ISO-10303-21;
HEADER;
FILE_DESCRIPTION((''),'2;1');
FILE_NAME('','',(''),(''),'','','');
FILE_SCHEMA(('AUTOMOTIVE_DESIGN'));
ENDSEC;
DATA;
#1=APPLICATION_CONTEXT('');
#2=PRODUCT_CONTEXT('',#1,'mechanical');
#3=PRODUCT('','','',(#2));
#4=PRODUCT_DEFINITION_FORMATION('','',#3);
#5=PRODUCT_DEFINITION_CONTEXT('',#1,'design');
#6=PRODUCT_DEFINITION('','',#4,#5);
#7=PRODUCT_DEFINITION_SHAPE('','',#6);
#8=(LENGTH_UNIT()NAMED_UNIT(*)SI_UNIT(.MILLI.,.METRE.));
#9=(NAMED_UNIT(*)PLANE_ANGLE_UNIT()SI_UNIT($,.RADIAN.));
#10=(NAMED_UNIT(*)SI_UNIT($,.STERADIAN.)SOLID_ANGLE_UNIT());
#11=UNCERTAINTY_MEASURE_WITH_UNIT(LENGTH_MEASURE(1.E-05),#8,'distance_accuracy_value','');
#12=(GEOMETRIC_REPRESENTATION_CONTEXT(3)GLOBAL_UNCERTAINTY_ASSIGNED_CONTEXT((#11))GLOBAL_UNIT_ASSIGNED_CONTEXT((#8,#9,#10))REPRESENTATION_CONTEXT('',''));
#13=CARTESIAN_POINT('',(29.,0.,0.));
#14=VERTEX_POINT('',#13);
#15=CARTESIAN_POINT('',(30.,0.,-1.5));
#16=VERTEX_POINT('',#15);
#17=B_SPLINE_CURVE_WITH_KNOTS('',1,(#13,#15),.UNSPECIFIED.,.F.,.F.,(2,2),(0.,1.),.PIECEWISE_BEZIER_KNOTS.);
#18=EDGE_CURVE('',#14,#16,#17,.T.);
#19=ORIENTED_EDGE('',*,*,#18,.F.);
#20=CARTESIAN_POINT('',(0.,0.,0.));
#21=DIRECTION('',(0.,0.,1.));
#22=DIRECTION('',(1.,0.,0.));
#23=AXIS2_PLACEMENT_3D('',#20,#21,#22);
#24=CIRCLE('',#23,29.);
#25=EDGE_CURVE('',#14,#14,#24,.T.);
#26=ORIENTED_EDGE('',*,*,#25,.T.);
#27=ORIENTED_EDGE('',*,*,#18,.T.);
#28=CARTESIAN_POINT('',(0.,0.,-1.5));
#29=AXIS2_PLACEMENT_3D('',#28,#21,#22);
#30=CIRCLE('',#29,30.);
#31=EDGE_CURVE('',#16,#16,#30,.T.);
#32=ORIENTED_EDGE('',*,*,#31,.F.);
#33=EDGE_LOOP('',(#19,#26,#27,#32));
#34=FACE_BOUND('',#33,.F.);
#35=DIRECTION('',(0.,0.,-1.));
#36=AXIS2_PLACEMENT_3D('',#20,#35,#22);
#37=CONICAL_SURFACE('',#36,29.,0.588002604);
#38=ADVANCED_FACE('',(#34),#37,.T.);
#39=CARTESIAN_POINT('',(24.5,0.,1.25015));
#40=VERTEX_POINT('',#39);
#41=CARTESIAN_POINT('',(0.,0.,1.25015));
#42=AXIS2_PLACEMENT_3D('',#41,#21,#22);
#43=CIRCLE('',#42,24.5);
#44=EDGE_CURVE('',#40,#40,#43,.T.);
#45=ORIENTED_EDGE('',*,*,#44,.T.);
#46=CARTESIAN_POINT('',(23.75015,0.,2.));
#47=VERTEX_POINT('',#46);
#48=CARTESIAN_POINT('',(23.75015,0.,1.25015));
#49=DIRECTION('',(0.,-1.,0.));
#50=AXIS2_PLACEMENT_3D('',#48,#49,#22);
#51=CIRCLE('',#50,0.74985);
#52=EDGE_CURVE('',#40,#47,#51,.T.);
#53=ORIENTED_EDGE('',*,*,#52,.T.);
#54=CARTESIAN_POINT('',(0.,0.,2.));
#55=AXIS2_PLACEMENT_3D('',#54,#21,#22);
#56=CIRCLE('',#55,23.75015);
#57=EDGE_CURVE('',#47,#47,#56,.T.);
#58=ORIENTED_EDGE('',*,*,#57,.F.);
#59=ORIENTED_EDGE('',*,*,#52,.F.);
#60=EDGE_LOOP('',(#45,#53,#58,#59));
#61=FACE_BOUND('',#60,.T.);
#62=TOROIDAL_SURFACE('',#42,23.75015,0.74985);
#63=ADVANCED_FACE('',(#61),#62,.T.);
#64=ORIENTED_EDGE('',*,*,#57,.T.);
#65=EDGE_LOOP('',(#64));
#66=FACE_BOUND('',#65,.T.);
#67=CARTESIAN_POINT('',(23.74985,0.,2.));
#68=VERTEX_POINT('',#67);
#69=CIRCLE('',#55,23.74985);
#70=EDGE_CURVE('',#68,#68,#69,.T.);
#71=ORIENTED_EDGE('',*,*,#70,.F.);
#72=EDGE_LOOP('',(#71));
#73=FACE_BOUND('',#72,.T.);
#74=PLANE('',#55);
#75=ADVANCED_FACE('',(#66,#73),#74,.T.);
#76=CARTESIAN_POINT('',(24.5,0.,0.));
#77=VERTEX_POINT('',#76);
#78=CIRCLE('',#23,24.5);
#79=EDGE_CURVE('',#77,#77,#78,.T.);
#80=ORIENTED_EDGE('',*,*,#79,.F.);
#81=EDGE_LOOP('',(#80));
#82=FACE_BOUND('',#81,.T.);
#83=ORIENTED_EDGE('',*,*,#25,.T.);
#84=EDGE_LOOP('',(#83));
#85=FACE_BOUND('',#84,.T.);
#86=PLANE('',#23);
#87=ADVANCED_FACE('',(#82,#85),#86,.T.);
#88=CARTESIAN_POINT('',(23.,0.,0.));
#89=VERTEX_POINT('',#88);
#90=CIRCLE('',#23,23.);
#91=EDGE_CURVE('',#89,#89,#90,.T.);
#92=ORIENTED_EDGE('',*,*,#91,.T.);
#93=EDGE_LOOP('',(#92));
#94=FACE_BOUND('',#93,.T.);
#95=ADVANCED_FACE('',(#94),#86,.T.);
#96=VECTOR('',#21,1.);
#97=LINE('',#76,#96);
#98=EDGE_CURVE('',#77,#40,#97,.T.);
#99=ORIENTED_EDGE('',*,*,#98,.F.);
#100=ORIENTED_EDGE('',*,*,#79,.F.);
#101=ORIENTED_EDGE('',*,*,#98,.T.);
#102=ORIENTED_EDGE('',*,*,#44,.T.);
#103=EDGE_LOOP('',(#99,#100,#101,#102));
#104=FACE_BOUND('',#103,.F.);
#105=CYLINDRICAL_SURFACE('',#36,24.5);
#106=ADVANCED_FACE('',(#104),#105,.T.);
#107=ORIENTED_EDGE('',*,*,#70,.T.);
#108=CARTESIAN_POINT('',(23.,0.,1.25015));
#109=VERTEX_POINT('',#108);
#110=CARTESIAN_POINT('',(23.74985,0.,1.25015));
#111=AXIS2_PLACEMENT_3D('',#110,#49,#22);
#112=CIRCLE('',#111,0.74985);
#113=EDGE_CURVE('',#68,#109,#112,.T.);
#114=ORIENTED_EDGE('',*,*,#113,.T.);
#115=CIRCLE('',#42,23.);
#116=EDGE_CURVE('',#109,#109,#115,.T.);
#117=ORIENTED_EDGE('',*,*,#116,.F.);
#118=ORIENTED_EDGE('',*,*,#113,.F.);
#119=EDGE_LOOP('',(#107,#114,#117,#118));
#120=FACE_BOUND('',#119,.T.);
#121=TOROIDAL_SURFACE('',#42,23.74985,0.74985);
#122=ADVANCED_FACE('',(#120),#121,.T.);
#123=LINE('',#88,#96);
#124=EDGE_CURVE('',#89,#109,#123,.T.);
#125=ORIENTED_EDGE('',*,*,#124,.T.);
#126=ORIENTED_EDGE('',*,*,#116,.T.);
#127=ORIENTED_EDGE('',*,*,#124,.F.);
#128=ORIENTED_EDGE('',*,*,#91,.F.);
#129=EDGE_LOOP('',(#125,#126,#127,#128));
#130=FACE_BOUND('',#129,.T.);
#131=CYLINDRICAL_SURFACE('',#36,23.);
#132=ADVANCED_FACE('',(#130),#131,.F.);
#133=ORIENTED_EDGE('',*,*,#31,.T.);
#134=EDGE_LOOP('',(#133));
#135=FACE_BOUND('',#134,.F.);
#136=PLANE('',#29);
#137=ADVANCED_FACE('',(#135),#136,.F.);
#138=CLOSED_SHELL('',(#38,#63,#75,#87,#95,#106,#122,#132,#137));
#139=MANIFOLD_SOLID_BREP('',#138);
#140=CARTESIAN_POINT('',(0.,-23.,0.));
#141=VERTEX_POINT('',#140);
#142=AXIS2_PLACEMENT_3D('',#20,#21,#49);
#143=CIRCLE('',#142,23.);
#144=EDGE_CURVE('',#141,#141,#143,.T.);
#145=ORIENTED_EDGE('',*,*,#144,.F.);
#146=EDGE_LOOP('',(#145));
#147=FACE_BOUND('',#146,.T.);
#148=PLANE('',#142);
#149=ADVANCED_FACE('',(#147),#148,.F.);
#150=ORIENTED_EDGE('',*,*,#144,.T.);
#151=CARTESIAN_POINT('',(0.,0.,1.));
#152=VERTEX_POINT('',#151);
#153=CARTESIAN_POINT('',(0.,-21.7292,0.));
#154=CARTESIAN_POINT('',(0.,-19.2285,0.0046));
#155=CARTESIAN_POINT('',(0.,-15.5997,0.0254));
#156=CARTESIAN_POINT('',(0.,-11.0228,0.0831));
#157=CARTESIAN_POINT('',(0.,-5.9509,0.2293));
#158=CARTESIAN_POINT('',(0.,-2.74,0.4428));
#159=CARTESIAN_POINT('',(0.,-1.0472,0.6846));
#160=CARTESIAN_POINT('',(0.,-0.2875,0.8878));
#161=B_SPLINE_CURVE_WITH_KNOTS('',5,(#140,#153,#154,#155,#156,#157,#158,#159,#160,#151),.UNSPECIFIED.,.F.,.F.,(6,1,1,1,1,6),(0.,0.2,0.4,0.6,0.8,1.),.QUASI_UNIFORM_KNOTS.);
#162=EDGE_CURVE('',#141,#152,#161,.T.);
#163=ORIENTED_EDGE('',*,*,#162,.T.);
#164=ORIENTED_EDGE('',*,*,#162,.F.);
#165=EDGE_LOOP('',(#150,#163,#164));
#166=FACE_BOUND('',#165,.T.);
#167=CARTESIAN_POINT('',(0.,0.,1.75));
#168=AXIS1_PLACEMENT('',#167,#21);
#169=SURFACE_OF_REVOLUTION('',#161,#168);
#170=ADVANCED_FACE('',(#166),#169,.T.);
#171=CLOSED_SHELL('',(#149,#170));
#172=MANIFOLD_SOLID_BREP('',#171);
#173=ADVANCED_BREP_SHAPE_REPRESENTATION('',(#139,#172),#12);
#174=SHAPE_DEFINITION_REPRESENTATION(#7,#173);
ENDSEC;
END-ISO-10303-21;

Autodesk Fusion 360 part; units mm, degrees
sketch "Bottom" plane through (0, 0, 0) normal (0, 0, 1) x (1, 0, 0)
  circle A0 centre (0, 0) radius 29
  circle A1 centre (0, 0) radius 24.5
  circle A2 centre (0, 0) radius 23
  dimension "d1" = 58
  dimension "d2" = 49
  dimension "d3" = 46
ref_plane "WorkPlane1" through (0, 0, -1.5) normal (0, 0, 1) x (1, 0, 0)
sketch "Top" plane through (0, 0, -1.5) normal (0, 0, 1) x (1, 0, 0)
  circle A0 centre (0, 0) radius 30
  dimension "d5" = 60
extrude "Extrude1" add sketch "Bottom" along normal blind 2 contours A1 makes body 1
loft "Loft1" add profiles "Bottom", "Top" section 1 contours A0 section 2 bodies 1
fillet "Fillet1" radius 0.75 1 faces at (23.8232, -2.3598, 2) on bodies 1
sketch "Center cone" plane through (0, 0, 0) normal (1, 0, 0) x (0, 1, 0)
  spline S0 degree 5 poles (-23, 0) (-21.7292, 0) (-19.2285, 0.0046) (-15.5997, 0.0254) (-11.0228, 0.0831) (-5.9509, 0.2293) (-2.74, 0.4428) (-1.0472, 0.6846) (-0.2875, 0.8878) (0, 1) knots 0 0 0 0 0 0 0.2 0.4 0.6 0.8 1 1 1 1 1 1
  line L0 (-0.7141, 0.7214) -> (0.7141, 1.2786)
  line L1 (0, 1) -> (0, 0)
  line L2 (0, 0) -> (-23, 0)
revolve "Revolve1" add sketch "Center cone" angle 360 about axis through (0, 0, 1.75) along (0, 0, 1) separate body makes body 2
